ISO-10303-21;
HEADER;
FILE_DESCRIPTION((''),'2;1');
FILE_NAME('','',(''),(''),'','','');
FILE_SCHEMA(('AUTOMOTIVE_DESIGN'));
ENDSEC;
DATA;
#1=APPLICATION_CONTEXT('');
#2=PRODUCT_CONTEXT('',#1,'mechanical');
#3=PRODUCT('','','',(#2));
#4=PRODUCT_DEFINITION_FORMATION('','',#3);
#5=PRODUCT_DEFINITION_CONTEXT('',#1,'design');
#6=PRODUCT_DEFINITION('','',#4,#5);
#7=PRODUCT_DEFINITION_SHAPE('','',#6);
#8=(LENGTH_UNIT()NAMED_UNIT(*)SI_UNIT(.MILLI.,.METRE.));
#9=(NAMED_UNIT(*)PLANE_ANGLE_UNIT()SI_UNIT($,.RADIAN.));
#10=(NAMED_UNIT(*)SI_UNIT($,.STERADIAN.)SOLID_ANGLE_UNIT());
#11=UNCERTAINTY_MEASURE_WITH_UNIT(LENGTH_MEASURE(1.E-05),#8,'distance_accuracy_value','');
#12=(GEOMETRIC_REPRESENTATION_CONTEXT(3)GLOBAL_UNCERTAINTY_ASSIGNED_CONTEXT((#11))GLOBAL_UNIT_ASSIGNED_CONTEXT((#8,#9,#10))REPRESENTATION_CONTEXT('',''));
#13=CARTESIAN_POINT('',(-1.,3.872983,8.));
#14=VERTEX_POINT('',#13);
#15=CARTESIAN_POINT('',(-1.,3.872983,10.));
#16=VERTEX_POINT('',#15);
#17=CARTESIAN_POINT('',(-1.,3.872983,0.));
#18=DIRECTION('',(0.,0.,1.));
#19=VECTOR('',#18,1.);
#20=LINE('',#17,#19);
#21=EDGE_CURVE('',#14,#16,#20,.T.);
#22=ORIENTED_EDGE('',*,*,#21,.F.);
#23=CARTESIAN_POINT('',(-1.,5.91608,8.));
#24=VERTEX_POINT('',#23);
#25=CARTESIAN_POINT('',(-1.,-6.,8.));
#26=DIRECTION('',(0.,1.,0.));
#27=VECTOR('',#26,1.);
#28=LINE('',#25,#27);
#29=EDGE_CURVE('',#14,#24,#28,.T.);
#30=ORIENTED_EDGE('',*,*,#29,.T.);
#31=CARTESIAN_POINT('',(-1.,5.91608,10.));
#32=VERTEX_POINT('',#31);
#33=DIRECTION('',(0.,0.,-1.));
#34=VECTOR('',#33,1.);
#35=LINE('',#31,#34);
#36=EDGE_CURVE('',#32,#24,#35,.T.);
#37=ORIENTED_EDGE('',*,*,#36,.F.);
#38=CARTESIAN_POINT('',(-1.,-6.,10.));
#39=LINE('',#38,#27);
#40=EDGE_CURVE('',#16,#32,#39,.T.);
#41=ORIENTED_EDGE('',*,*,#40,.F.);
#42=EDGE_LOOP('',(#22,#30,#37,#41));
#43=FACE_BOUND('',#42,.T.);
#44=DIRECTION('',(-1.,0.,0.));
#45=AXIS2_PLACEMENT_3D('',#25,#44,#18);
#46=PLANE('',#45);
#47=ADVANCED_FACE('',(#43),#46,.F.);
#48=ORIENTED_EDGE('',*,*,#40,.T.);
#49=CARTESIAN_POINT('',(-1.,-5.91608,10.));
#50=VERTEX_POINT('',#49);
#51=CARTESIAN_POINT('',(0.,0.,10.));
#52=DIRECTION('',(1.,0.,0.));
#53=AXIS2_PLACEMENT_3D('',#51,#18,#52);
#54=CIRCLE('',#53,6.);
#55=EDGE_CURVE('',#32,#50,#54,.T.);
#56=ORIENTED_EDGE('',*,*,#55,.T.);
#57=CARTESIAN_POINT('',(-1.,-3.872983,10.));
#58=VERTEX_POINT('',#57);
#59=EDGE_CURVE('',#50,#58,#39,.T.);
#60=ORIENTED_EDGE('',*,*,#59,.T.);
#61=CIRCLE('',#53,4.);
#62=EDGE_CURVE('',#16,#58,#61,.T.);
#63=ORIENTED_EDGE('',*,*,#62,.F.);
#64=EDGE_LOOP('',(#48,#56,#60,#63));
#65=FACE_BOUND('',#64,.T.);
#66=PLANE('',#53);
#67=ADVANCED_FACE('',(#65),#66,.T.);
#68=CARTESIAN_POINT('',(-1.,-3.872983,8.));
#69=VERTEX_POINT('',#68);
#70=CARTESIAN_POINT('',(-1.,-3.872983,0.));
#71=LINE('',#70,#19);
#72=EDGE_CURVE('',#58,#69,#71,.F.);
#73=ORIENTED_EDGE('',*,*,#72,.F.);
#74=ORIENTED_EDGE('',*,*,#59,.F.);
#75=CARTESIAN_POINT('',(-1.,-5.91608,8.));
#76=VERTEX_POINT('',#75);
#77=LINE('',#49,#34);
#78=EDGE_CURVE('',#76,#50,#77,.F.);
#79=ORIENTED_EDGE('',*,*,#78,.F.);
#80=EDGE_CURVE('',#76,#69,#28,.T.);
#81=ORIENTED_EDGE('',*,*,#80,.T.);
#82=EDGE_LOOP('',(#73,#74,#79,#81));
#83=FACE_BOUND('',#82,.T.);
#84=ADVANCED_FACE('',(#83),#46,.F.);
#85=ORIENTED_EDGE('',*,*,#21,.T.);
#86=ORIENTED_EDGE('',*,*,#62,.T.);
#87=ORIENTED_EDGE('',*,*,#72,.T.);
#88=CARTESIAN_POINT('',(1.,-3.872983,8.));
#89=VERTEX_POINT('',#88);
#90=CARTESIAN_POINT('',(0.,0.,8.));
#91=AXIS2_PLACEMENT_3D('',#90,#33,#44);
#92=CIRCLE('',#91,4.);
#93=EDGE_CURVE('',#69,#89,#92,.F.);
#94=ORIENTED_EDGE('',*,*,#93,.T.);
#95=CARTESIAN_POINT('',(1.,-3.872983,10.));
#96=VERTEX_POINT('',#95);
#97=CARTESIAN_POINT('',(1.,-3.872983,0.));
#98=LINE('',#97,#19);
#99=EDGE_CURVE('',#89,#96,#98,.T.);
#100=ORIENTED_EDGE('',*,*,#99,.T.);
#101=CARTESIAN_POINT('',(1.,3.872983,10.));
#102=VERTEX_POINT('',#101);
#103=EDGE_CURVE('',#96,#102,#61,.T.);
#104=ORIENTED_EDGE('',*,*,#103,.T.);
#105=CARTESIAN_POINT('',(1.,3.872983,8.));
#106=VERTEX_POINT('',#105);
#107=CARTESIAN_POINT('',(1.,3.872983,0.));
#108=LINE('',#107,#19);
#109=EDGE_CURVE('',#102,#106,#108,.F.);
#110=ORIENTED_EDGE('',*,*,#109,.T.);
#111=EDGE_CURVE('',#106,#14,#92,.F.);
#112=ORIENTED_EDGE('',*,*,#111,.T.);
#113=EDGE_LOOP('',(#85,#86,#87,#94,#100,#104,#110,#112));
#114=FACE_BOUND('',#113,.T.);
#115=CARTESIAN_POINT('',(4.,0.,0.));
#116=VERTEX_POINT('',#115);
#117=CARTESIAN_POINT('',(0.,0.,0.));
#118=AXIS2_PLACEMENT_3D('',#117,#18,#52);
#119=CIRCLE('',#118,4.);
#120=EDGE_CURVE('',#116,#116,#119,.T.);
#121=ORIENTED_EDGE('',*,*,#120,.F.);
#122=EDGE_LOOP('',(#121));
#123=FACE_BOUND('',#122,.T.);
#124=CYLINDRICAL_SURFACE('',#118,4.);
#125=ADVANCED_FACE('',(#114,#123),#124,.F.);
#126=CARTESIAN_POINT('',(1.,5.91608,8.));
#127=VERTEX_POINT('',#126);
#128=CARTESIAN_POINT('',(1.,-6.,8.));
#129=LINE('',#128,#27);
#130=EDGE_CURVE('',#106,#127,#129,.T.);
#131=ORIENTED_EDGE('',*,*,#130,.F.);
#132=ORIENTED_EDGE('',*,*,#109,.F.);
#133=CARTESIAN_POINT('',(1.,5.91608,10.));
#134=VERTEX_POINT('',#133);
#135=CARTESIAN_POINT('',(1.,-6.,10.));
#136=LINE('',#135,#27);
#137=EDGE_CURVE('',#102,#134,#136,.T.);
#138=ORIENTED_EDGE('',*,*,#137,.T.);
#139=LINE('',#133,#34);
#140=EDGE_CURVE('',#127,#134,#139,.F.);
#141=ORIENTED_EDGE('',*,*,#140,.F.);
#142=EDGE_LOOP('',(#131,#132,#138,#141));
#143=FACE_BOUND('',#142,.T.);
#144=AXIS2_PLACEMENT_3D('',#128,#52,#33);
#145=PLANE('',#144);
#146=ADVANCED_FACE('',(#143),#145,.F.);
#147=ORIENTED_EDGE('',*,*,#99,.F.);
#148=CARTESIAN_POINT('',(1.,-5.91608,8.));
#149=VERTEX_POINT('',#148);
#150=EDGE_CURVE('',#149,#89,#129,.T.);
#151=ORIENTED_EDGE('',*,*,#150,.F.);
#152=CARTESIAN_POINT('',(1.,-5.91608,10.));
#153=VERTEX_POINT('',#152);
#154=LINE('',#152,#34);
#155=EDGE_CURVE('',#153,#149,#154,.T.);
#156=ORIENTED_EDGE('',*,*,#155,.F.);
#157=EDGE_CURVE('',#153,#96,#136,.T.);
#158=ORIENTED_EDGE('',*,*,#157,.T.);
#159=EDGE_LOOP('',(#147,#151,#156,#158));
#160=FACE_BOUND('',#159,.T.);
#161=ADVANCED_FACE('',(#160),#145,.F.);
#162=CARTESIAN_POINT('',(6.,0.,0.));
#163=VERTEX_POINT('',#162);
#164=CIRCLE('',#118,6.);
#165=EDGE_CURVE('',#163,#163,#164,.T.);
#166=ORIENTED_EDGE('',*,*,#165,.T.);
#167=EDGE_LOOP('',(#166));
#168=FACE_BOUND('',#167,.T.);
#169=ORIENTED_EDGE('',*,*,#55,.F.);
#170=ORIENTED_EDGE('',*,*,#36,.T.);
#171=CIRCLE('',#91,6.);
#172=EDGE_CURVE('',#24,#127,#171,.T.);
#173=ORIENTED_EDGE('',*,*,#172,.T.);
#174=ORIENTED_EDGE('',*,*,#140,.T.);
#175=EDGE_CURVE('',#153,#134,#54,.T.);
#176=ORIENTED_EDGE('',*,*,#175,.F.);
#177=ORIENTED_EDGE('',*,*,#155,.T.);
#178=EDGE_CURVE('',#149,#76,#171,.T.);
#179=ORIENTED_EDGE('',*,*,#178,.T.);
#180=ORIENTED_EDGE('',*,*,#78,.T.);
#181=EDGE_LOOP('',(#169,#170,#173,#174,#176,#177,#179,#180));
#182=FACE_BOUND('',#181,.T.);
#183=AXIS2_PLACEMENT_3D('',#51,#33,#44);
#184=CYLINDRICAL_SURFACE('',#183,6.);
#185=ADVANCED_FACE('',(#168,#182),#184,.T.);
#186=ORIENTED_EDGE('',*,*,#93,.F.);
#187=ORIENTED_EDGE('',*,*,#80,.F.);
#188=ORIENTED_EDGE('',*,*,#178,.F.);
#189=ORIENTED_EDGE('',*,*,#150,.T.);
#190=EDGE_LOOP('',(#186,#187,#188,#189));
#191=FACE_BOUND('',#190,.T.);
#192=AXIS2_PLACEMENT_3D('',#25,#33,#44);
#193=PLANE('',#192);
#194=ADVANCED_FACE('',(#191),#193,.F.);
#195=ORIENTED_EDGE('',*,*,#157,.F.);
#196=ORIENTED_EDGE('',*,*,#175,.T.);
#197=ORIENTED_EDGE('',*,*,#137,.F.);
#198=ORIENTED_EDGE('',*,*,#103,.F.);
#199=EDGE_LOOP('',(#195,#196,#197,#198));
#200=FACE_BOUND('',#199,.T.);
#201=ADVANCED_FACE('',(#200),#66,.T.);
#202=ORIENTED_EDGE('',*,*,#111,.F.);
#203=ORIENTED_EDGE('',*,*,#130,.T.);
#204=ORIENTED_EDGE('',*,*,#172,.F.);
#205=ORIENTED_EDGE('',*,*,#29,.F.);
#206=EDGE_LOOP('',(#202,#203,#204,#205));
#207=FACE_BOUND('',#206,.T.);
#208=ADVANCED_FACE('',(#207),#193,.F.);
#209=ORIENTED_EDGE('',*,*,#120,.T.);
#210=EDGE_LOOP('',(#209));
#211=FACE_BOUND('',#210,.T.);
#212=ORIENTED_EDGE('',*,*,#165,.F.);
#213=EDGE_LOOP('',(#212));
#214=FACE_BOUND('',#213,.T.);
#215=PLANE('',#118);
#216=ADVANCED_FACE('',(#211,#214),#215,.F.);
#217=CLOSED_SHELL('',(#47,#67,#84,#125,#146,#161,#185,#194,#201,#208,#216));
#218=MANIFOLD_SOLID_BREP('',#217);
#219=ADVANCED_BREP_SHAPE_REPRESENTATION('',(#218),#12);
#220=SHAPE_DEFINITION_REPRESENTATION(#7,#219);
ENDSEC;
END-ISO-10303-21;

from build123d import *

# Parameters (mm, degrees)
SKETCH1_R               = 6
BOSS_EXTRUDE1_DEPTH     = 10
SKETCH2_R               = 4
CUT_EXTRUDE1_DEPTH      = 14.114877049
CUT_EXTRUDE4_DEPTH      = 14.114877049
CUT_EXTRUDE4_DEPTH_BACK = 14.114877049
SKETCH3_W               = 2
SKETCH3_H               = 2


with BuildPart() as part:
    # Sketch1 → Boss-Extrude1 (new body)
    with BuildSketch(Plane.XY):
        Circle(SKETCH1_R)
    extrude(amount=BOSS_EXTRUDE1_DEPTH)

    # Sketch2 → Cut-Extrude1 (cut, through all)
    with BuildSketch(Plane.XY.offset(10)):
        Circle(SKETCH2_R)
    extrude(amount=-CUT_EXTRUDE1_DEPTH, mode=Mode.SUBTRACT)

    # Sketch3 → Cut-Extrude4 (cut, two sides: drawn at the far end of the back side and taken through both)
    with BuildSketch(Plane(origin=(0, 0, 0), x_dir=(1, 0, 0), z_dir=(0, 1, 0)).offset(-CUT_EXTRUDE4_DEPTH_BACK)):
        with Locations((0, -9)):
            Rectangle(SKETCH3_W, SKETCH3_H)
    extrude(amount=CUT_EXTRUDE4_DEPTH + CUT_EXTRUDE4_DEPTH_BACK, mode=Mode.SUBTRACT)


solid = part.part
